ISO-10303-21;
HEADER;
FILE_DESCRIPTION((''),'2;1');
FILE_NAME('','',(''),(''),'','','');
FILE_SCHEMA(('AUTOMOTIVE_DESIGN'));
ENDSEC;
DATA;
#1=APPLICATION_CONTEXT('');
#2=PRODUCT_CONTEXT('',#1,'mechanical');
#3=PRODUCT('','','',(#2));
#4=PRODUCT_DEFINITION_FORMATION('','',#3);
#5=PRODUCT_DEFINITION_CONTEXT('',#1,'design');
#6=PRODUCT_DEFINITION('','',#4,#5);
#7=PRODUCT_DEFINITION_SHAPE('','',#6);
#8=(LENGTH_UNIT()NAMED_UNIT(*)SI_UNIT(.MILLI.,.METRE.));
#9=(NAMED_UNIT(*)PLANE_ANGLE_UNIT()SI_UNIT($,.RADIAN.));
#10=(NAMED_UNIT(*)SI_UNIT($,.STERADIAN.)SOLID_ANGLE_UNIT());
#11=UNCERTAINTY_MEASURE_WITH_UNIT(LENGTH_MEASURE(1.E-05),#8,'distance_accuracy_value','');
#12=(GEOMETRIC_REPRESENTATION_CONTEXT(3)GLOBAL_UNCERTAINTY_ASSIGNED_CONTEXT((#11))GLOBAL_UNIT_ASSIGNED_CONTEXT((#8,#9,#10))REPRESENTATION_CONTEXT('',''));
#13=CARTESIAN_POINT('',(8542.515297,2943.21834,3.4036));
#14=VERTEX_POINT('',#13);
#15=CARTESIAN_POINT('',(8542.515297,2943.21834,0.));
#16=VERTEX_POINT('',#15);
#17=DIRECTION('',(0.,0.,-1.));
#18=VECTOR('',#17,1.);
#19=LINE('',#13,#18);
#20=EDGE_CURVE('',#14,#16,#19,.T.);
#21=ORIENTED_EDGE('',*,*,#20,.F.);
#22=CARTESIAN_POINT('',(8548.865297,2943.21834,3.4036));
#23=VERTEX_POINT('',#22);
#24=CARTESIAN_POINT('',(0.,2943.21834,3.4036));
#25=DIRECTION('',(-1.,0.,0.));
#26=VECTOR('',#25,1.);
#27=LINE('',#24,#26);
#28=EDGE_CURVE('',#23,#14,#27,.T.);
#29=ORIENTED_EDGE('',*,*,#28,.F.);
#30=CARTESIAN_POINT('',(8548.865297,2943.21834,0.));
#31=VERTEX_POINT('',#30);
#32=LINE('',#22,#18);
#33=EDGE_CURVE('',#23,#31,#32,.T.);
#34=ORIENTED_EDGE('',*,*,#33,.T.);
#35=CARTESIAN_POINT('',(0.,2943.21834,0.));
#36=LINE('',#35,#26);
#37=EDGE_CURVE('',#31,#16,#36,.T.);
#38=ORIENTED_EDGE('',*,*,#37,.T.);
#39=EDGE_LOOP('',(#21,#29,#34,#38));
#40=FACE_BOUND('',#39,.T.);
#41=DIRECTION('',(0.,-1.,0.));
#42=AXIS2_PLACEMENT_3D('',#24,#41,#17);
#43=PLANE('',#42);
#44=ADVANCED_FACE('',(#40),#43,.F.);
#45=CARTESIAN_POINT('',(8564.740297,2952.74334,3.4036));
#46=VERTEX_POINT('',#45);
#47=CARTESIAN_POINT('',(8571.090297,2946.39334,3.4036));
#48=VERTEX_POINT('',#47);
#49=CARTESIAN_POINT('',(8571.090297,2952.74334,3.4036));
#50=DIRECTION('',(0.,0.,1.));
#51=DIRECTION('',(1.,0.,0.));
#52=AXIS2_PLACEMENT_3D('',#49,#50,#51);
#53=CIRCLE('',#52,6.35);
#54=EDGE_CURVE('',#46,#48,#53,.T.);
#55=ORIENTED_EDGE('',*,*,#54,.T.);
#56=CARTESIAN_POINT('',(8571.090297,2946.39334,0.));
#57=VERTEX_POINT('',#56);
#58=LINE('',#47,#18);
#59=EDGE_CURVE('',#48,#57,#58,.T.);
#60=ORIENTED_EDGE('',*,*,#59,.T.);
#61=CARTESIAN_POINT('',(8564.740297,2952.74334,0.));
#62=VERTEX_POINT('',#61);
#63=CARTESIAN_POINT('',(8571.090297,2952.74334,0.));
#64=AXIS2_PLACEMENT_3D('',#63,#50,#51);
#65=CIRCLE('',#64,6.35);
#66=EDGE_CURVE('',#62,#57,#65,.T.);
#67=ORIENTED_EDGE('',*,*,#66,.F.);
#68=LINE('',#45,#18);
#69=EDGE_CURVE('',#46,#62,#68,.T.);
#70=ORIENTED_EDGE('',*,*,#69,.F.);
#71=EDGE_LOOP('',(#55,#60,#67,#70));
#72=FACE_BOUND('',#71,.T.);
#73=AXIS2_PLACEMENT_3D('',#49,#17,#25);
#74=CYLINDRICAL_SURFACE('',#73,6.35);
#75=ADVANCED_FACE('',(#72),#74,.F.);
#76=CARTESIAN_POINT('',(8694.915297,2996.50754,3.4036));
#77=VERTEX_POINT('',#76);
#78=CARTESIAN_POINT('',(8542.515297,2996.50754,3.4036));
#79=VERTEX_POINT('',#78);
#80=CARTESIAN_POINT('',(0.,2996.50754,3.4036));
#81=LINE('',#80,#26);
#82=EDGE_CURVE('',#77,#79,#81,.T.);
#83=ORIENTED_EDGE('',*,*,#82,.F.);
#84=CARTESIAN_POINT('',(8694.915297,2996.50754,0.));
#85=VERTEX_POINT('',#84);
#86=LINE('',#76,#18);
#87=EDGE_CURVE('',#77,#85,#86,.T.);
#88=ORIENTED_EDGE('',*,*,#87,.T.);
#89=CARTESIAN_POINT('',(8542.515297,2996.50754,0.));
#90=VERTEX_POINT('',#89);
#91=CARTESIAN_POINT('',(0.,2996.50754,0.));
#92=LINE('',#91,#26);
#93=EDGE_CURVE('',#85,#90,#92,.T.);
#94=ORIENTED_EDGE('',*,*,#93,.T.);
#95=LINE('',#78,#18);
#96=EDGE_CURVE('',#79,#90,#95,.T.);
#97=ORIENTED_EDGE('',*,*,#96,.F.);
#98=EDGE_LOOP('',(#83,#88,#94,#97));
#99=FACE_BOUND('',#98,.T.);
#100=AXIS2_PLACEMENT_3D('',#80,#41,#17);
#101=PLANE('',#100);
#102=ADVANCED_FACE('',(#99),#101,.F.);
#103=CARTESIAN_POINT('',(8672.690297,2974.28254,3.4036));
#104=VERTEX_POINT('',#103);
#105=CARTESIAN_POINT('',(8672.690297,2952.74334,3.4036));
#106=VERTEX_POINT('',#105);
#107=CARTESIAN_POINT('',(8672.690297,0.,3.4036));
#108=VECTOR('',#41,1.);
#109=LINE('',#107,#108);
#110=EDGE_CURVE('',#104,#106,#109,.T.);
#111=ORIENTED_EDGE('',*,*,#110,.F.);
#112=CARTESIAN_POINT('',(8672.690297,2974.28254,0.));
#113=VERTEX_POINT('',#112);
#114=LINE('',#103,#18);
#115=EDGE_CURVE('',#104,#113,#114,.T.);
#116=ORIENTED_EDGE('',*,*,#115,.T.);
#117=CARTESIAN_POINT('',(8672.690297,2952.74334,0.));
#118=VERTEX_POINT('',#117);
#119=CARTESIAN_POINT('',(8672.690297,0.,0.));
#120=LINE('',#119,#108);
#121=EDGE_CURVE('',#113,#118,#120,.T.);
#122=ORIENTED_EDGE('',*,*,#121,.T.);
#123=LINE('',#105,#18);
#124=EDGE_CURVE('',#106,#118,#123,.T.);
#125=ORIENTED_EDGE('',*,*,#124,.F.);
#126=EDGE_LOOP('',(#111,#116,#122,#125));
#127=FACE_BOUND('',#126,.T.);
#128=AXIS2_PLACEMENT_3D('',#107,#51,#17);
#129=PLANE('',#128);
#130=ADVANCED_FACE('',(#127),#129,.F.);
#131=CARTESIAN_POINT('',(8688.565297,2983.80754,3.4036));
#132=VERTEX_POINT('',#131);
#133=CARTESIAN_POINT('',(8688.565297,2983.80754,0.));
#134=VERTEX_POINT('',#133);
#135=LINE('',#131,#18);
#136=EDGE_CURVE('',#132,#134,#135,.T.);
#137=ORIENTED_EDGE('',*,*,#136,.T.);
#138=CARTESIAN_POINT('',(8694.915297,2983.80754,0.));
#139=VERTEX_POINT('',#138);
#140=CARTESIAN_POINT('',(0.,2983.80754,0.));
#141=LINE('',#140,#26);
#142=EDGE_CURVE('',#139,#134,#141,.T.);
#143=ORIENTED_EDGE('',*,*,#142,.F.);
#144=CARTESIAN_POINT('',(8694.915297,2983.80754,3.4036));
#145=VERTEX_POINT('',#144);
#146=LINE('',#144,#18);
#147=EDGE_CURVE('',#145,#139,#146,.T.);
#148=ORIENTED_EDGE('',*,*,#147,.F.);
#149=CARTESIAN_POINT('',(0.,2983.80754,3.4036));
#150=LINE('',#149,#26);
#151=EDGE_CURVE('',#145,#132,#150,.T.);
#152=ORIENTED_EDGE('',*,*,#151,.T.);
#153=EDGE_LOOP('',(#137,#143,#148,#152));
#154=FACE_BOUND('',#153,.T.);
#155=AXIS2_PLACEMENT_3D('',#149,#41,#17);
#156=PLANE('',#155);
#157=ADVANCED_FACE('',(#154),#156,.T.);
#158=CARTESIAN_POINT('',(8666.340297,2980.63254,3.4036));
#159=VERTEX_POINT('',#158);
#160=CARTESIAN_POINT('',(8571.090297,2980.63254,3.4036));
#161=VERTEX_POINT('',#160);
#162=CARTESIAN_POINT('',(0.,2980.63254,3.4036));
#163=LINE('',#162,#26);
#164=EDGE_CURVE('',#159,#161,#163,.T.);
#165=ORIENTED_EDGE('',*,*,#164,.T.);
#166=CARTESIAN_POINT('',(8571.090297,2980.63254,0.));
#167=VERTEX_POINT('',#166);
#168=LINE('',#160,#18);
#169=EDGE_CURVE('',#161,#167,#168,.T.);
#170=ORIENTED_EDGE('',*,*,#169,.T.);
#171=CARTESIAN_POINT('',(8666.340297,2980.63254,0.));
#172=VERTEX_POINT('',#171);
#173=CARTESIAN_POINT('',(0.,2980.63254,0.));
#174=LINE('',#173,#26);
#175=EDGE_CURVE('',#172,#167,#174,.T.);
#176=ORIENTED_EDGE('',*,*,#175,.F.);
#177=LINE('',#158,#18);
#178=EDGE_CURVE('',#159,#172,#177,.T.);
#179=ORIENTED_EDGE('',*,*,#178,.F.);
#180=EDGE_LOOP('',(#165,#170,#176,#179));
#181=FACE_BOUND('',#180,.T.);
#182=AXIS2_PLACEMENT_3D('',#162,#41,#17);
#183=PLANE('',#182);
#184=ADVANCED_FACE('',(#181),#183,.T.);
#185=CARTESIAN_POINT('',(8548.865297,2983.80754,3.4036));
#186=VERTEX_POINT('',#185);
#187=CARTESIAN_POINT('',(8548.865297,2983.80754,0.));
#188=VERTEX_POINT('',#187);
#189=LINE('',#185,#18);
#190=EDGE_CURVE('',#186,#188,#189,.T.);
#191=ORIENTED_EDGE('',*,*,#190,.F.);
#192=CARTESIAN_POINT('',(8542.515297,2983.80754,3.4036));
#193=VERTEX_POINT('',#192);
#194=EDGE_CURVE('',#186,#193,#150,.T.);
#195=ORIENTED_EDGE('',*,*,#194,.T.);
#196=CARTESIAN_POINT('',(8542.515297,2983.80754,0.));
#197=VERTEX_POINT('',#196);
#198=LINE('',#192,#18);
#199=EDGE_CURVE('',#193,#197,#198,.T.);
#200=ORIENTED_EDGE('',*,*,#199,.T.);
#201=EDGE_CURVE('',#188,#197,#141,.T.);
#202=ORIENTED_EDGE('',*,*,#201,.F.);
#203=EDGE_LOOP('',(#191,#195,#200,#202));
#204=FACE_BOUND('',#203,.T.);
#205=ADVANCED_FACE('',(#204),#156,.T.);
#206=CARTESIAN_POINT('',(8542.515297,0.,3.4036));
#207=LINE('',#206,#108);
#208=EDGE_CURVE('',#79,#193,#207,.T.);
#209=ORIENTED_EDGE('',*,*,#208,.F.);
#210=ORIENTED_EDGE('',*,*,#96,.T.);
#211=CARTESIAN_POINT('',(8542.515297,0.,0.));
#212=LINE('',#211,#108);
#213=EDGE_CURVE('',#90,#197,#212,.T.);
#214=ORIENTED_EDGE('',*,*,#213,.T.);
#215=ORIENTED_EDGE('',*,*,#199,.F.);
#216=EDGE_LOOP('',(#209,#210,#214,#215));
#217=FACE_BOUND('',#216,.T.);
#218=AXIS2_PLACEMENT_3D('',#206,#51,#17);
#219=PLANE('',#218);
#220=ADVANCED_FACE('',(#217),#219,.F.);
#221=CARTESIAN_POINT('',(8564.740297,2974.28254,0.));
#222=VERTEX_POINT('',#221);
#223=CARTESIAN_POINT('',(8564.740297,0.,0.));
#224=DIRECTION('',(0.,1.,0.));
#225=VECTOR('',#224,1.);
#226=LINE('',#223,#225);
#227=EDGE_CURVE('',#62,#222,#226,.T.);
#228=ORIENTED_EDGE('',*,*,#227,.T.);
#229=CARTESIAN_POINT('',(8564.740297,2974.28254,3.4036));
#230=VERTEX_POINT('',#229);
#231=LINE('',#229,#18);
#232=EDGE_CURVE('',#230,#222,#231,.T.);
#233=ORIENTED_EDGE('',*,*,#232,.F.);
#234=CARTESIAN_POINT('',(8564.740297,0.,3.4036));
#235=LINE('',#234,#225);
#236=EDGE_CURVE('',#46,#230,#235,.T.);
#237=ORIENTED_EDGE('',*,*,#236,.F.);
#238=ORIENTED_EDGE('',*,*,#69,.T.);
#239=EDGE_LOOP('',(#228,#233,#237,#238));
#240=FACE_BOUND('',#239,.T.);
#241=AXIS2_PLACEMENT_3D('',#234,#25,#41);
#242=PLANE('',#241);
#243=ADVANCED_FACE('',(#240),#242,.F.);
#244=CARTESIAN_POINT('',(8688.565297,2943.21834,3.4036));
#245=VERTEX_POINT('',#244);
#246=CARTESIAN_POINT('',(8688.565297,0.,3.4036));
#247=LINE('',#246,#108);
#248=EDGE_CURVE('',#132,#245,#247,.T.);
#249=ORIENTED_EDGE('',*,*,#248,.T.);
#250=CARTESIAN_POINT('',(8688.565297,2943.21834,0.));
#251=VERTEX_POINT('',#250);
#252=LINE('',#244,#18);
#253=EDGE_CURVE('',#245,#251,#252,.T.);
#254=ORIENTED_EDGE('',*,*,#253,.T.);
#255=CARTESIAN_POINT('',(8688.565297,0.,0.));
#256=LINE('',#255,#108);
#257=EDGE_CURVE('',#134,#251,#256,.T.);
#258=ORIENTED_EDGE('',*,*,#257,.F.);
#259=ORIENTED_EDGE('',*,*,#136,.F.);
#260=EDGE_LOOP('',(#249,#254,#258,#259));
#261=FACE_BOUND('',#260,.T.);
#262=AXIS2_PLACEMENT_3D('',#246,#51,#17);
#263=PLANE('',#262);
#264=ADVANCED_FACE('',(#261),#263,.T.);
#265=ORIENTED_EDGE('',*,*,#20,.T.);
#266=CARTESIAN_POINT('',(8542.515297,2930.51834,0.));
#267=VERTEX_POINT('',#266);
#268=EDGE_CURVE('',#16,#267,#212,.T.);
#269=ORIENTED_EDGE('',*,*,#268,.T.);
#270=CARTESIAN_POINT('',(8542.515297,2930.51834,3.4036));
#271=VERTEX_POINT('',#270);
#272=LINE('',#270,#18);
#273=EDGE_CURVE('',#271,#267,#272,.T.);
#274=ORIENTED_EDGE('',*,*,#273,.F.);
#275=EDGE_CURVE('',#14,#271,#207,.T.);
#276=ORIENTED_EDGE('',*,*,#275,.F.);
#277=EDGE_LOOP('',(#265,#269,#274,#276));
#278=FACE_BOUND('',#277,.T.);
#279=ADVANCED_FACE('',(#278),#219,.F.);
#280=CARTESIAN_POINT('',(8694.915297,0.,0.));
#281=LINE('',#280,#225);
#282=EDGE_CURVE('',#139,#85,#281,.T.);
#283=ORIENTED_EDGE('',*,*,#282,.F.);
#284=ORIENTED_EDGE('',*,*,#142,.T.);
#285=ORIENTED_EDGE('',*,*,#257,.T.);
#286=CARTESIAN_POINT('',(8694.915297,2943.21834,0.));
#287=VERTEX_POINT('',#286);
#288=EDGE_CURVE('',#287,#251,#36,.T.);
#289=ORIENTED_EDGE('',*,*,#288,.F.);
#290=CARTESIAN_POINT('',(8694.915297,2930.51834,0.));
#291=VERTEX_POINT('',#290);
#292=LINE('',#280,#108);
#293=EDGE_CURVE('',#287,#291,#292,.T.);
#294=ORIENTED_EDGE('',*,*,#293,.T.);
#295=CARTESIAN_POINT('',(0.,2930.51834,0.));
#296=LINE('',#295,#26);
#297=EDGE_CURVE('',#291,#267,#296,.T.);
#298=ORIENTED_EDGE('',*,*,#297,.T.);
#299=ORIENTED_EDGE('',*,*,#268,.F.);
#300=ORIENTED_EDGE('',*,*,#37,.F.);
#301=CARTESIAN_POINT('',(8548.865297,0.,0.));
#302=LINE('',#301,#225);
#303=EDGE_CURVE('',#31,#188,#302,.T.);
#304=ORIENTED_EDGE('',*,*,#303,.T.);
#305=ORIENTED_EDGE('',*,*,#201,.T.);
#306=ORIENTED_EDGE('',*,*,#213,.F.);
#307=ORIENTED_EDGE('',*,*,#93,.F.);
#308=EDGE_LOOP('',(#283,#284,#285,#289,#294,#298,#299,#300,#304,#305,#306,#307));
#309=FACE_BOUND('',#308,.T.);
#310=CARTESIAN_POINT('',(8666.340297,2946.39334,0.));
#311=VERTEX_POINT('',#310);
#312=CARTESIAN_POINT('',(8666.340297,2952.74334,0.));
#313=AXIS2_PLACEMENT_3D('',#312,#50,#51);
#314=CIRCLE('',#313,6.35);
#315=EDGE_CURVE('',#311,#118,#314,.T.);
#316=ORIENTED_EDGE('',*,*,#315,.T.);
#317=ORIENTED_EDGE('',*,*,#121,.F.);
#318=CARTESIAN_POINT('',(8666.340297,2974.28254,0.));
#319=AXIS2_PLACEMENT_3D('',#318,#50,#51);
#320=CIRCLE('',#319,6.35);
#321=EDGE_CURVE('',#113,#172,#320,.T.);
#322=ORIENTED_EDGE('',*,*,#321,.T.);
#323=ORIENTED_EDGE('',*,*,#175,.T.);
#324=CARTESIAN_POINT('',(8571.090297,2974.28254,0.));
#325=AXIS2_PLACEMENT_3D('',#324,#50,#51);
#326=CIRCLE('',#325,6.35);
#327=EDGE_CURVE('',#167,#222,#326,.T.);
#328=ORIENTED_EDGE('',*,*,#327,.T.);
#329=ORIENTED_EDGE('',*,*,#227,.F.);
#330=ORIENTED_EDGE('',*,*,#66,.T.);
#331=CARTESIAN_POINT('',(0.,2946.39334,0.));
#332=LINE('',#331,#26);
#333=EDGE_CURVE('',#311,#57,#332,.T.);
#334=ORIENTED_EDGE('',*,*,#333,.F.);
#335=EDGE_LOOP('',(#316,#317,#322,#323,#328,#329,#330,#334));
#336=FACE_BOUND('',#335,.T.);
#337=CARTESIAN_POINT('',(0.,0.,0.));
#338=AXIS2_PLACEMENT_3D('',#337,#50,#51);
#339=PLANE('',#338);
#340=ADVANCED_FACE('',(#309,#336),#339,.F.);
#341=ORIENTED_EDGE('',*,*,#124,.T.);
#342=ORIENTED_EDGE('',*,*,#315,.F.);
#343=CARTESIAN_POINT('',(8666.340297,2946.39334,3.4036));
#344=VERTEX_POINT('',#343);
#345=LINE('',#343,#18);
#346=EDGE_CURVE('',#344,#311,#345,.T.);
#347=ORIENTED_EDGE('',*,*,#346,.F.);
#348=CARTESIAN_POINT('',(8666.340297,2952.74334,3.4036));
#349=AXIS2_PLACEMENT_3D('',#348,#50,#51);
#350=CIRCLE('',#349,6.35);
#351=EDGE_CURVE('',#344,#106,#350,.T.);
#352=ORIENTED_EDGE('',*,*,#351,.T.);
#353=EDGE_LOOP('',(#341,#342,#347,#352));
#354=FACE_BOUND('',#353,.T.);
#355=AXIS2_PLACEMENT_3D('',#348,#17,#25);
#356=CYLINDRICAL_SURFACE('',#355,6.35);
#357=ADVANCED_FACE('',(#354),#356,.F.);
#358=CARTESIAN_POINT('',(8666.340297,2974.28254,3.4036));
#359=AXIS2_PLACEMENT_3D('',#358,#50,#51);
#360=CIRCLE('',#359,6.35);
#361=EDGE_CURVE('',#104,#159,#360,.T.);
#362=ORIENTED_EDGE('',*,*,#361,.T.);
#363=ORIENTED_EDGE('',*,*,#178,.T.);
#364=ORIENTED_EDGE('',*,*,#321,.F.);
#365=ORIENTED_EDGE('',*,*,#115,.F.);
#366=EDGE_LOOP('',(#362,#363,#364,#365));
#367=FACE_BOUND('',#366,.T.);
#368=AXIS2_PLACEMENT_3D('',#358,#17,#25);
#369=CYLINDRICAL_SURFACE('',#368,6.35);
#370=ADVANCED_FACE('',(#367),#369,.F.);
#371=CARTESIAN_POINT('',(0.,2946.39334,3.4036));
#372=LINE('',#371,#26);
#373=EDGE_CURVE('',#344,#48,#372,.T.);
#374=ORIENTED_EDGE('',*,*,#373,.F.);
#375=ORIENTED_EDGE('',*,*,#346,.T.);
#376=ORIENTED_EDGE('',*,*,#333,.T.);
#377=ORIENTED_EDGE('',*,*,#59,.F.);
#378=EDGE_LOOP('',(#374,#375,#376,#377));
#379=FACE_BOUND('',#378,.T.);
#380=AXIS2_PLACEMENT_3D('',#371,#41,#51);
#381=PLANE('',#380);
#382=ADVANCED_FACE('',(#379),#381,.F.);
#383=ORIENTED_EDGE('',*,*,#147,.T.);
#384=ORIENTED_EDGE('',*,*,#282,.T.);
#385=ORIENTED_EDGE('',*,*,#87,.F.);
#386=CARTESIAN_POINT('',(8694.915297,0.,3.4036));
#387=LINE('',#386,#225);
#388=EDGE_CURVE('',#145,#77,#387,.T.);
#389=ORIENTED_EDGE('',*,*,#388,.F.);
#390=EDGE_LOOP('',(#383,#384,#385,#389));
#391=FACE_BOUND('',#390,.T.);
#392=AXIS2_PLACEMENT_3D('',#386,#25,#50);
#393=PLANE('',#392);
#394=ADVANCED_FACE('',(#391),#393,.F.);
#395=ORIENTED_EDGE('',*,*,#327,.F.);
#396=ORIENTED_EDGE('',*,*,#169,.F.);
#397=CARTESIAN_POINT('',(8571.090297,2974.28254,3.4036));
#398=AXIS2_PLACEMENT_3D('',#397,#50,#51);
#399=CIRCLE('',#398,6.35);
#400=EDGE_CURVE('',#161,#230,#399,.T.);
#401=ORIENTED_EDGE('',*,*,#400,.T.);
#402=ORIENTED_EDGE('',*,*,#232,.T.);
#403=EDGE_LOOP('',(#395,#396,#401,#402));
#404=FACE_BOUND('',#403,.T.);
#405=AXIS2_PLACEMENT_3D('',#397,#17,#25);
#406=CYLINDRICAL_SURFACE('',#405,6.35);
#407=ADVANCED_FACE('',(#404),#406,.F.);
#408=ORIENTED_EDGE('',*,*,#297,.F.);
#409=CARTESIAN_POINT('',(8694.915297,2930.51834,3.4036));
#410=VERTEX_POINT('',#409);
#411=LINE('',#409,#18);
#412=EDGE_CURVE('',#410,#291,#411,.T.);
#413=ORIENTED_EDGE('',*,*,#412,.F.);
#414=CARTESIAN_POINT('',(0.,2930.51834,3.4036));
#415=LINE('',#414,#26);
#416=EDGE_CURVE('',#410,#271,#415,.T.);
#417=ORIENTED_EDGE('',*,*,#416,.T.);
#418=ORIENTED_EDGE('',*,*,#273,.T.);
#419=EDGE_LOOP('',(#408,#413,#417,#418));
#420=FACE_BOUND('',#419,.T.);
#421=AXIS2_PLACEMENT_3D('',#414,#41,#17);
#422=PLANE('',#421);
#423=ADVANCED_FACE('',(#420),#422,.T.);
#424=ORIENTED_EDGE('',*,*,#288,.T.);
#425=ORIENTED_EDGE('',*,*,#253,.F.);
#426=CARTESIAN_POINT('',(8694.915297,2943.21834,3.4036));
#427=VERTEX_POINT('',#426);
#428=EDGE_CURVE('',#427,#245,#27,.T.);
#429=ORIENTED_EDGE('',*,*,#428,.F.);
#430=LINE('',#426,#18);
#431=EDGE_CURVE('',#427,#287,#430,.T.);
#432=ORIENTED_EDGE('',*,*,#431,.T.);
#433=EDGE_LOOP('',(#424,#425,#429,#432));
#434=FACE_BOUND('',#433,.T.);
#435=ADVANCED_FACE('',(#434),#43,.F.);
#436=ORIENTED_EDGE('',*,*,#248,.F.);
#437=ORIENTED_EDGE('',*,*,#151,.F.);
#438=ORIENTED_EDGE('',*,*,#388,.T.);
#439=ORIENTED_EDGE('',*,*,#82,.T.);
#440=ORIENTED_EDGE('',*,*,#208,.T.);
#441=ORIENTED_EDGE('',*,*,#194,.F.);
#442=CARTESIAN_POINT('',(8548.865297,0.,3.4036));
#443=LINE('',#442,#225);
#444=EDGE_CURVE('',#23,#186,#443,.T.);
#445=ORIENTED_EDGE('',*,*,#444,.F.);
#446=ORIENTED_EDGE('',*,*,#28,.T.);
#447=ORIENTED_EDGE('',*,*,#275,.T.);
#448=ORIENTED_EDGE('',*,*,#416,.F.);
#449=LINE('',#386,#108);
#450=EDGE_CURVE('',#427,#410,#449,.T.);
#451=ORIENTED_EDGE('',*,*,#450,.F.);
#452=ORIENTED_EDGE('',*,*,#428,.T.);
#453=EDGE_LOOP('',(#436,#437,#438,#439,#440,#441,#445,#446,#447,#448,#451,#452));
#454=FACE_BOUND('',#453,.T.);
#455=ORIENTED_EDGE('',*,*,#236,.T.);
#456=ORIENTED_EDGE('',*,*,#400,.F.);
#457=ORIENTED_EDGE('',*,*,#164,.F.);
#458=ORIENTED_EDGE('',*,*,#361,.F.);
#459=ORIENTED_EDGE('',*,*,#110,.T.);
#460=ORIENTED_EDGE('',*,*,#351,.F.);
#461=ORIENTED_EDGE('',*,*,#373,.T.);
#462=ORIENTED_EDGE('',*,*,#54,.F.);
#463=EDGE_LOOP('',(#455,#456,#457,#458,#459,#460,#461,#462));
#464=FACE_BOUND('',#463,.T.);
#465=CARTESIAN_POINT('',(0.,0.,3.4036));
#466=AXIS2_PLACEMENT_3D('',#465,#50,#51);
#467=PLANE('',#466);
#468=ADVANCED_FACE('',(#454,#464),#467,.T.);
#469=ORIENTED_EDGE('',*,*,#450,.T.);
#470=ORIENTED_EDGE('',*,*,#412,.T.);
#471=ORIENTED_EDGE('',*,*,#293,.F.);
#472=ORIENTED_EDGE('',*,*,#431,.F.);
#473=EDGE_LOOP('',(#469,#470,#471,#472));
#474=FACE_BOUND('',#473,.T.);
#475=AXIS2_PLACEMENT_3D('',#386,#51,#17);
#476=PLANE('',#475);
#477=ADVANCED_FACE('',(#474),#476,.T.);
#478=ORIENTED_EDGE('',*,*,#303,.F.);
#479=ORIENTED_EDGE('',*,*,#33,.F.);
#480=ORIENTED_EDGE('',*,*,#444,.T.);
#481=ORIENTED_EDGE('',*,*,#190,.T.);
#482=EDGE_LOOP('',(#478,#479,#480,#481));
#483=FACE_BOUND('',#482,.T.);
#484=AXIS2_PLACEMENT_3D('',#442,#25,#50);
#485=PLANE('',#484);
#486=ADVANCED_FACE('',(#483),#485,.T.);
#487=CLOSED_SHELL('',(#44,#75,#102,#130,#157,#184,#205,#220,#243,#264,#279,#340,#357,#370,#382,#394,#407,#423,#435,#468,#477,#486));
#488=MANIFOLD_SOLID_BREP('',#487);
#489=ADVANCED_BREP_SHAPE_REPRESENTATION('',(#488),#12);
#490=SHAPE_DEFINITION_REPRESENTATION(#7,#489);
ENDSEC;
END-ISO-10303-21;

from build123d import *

# Parameters (mm, degrees)
BOSS_EXTRUDE1_DEPTH = 3.4036


with BuildPart() as part:
    # Sketch1 → Boss-Extrude1 (new body)
    with BuildSketch(Plane.XY):
        Polygon((8548.865297466, 2983.807539807), (8548.865297466, 2943.218339807), (8542.515297466, 2943.218339807), (8542.515297466, 2930.518339807), (8694.915297466, 2930.518339807), (8694.915297466, 2943.218339807), (8688.565297466, 2943.218339807), (8688.565297466, 2983.807539807), (8694.915297466, 2983.807539807), (8694.915297466, 2996.507539807), (8542.515297466, 2996.507539807), (8542.515297466, 2983.807539807), align=None)
        with BuildLine():
            ThreePointArc((8571.090297466, 2946.393339807), (8566.600169406, 2948.253211746), (8564.740297466, 2952.743339807))
            Line((8564.740297466, 2952.743339807), (8564.740297466, 2974.282539807))
            ThreePointArc((8564.740297466, 2974.282539807), (8566.600169406, 2978.772667867), (8571.090297466, 2980.632539807))
            Line((8571.090297466, 2980.632539807), (8666.340297466, 2980.632539807))
            ThreePointArc((8666.340297466, 2980.632539807), (8670.830425527, 2978.772667867), (8672.690297466, 2974.282539807))
            Line((8672.690297466, 2974.282539807), (8672.690297466, 2952.743339807))
            ThreePointArc((8672.690297466, 2952.743339807), (8670.830425527, 2948.253211746), (8666.340297466, 2946.393339807))
            Line((8666.340297466, 2946.393339807), (8571.090297466, 2946.393339807))
        make_face(mode=Mode.SUBTRACT)
    extrude(amount=BOSS_EXTRUDE1_DEPTH)


solid = part.part
